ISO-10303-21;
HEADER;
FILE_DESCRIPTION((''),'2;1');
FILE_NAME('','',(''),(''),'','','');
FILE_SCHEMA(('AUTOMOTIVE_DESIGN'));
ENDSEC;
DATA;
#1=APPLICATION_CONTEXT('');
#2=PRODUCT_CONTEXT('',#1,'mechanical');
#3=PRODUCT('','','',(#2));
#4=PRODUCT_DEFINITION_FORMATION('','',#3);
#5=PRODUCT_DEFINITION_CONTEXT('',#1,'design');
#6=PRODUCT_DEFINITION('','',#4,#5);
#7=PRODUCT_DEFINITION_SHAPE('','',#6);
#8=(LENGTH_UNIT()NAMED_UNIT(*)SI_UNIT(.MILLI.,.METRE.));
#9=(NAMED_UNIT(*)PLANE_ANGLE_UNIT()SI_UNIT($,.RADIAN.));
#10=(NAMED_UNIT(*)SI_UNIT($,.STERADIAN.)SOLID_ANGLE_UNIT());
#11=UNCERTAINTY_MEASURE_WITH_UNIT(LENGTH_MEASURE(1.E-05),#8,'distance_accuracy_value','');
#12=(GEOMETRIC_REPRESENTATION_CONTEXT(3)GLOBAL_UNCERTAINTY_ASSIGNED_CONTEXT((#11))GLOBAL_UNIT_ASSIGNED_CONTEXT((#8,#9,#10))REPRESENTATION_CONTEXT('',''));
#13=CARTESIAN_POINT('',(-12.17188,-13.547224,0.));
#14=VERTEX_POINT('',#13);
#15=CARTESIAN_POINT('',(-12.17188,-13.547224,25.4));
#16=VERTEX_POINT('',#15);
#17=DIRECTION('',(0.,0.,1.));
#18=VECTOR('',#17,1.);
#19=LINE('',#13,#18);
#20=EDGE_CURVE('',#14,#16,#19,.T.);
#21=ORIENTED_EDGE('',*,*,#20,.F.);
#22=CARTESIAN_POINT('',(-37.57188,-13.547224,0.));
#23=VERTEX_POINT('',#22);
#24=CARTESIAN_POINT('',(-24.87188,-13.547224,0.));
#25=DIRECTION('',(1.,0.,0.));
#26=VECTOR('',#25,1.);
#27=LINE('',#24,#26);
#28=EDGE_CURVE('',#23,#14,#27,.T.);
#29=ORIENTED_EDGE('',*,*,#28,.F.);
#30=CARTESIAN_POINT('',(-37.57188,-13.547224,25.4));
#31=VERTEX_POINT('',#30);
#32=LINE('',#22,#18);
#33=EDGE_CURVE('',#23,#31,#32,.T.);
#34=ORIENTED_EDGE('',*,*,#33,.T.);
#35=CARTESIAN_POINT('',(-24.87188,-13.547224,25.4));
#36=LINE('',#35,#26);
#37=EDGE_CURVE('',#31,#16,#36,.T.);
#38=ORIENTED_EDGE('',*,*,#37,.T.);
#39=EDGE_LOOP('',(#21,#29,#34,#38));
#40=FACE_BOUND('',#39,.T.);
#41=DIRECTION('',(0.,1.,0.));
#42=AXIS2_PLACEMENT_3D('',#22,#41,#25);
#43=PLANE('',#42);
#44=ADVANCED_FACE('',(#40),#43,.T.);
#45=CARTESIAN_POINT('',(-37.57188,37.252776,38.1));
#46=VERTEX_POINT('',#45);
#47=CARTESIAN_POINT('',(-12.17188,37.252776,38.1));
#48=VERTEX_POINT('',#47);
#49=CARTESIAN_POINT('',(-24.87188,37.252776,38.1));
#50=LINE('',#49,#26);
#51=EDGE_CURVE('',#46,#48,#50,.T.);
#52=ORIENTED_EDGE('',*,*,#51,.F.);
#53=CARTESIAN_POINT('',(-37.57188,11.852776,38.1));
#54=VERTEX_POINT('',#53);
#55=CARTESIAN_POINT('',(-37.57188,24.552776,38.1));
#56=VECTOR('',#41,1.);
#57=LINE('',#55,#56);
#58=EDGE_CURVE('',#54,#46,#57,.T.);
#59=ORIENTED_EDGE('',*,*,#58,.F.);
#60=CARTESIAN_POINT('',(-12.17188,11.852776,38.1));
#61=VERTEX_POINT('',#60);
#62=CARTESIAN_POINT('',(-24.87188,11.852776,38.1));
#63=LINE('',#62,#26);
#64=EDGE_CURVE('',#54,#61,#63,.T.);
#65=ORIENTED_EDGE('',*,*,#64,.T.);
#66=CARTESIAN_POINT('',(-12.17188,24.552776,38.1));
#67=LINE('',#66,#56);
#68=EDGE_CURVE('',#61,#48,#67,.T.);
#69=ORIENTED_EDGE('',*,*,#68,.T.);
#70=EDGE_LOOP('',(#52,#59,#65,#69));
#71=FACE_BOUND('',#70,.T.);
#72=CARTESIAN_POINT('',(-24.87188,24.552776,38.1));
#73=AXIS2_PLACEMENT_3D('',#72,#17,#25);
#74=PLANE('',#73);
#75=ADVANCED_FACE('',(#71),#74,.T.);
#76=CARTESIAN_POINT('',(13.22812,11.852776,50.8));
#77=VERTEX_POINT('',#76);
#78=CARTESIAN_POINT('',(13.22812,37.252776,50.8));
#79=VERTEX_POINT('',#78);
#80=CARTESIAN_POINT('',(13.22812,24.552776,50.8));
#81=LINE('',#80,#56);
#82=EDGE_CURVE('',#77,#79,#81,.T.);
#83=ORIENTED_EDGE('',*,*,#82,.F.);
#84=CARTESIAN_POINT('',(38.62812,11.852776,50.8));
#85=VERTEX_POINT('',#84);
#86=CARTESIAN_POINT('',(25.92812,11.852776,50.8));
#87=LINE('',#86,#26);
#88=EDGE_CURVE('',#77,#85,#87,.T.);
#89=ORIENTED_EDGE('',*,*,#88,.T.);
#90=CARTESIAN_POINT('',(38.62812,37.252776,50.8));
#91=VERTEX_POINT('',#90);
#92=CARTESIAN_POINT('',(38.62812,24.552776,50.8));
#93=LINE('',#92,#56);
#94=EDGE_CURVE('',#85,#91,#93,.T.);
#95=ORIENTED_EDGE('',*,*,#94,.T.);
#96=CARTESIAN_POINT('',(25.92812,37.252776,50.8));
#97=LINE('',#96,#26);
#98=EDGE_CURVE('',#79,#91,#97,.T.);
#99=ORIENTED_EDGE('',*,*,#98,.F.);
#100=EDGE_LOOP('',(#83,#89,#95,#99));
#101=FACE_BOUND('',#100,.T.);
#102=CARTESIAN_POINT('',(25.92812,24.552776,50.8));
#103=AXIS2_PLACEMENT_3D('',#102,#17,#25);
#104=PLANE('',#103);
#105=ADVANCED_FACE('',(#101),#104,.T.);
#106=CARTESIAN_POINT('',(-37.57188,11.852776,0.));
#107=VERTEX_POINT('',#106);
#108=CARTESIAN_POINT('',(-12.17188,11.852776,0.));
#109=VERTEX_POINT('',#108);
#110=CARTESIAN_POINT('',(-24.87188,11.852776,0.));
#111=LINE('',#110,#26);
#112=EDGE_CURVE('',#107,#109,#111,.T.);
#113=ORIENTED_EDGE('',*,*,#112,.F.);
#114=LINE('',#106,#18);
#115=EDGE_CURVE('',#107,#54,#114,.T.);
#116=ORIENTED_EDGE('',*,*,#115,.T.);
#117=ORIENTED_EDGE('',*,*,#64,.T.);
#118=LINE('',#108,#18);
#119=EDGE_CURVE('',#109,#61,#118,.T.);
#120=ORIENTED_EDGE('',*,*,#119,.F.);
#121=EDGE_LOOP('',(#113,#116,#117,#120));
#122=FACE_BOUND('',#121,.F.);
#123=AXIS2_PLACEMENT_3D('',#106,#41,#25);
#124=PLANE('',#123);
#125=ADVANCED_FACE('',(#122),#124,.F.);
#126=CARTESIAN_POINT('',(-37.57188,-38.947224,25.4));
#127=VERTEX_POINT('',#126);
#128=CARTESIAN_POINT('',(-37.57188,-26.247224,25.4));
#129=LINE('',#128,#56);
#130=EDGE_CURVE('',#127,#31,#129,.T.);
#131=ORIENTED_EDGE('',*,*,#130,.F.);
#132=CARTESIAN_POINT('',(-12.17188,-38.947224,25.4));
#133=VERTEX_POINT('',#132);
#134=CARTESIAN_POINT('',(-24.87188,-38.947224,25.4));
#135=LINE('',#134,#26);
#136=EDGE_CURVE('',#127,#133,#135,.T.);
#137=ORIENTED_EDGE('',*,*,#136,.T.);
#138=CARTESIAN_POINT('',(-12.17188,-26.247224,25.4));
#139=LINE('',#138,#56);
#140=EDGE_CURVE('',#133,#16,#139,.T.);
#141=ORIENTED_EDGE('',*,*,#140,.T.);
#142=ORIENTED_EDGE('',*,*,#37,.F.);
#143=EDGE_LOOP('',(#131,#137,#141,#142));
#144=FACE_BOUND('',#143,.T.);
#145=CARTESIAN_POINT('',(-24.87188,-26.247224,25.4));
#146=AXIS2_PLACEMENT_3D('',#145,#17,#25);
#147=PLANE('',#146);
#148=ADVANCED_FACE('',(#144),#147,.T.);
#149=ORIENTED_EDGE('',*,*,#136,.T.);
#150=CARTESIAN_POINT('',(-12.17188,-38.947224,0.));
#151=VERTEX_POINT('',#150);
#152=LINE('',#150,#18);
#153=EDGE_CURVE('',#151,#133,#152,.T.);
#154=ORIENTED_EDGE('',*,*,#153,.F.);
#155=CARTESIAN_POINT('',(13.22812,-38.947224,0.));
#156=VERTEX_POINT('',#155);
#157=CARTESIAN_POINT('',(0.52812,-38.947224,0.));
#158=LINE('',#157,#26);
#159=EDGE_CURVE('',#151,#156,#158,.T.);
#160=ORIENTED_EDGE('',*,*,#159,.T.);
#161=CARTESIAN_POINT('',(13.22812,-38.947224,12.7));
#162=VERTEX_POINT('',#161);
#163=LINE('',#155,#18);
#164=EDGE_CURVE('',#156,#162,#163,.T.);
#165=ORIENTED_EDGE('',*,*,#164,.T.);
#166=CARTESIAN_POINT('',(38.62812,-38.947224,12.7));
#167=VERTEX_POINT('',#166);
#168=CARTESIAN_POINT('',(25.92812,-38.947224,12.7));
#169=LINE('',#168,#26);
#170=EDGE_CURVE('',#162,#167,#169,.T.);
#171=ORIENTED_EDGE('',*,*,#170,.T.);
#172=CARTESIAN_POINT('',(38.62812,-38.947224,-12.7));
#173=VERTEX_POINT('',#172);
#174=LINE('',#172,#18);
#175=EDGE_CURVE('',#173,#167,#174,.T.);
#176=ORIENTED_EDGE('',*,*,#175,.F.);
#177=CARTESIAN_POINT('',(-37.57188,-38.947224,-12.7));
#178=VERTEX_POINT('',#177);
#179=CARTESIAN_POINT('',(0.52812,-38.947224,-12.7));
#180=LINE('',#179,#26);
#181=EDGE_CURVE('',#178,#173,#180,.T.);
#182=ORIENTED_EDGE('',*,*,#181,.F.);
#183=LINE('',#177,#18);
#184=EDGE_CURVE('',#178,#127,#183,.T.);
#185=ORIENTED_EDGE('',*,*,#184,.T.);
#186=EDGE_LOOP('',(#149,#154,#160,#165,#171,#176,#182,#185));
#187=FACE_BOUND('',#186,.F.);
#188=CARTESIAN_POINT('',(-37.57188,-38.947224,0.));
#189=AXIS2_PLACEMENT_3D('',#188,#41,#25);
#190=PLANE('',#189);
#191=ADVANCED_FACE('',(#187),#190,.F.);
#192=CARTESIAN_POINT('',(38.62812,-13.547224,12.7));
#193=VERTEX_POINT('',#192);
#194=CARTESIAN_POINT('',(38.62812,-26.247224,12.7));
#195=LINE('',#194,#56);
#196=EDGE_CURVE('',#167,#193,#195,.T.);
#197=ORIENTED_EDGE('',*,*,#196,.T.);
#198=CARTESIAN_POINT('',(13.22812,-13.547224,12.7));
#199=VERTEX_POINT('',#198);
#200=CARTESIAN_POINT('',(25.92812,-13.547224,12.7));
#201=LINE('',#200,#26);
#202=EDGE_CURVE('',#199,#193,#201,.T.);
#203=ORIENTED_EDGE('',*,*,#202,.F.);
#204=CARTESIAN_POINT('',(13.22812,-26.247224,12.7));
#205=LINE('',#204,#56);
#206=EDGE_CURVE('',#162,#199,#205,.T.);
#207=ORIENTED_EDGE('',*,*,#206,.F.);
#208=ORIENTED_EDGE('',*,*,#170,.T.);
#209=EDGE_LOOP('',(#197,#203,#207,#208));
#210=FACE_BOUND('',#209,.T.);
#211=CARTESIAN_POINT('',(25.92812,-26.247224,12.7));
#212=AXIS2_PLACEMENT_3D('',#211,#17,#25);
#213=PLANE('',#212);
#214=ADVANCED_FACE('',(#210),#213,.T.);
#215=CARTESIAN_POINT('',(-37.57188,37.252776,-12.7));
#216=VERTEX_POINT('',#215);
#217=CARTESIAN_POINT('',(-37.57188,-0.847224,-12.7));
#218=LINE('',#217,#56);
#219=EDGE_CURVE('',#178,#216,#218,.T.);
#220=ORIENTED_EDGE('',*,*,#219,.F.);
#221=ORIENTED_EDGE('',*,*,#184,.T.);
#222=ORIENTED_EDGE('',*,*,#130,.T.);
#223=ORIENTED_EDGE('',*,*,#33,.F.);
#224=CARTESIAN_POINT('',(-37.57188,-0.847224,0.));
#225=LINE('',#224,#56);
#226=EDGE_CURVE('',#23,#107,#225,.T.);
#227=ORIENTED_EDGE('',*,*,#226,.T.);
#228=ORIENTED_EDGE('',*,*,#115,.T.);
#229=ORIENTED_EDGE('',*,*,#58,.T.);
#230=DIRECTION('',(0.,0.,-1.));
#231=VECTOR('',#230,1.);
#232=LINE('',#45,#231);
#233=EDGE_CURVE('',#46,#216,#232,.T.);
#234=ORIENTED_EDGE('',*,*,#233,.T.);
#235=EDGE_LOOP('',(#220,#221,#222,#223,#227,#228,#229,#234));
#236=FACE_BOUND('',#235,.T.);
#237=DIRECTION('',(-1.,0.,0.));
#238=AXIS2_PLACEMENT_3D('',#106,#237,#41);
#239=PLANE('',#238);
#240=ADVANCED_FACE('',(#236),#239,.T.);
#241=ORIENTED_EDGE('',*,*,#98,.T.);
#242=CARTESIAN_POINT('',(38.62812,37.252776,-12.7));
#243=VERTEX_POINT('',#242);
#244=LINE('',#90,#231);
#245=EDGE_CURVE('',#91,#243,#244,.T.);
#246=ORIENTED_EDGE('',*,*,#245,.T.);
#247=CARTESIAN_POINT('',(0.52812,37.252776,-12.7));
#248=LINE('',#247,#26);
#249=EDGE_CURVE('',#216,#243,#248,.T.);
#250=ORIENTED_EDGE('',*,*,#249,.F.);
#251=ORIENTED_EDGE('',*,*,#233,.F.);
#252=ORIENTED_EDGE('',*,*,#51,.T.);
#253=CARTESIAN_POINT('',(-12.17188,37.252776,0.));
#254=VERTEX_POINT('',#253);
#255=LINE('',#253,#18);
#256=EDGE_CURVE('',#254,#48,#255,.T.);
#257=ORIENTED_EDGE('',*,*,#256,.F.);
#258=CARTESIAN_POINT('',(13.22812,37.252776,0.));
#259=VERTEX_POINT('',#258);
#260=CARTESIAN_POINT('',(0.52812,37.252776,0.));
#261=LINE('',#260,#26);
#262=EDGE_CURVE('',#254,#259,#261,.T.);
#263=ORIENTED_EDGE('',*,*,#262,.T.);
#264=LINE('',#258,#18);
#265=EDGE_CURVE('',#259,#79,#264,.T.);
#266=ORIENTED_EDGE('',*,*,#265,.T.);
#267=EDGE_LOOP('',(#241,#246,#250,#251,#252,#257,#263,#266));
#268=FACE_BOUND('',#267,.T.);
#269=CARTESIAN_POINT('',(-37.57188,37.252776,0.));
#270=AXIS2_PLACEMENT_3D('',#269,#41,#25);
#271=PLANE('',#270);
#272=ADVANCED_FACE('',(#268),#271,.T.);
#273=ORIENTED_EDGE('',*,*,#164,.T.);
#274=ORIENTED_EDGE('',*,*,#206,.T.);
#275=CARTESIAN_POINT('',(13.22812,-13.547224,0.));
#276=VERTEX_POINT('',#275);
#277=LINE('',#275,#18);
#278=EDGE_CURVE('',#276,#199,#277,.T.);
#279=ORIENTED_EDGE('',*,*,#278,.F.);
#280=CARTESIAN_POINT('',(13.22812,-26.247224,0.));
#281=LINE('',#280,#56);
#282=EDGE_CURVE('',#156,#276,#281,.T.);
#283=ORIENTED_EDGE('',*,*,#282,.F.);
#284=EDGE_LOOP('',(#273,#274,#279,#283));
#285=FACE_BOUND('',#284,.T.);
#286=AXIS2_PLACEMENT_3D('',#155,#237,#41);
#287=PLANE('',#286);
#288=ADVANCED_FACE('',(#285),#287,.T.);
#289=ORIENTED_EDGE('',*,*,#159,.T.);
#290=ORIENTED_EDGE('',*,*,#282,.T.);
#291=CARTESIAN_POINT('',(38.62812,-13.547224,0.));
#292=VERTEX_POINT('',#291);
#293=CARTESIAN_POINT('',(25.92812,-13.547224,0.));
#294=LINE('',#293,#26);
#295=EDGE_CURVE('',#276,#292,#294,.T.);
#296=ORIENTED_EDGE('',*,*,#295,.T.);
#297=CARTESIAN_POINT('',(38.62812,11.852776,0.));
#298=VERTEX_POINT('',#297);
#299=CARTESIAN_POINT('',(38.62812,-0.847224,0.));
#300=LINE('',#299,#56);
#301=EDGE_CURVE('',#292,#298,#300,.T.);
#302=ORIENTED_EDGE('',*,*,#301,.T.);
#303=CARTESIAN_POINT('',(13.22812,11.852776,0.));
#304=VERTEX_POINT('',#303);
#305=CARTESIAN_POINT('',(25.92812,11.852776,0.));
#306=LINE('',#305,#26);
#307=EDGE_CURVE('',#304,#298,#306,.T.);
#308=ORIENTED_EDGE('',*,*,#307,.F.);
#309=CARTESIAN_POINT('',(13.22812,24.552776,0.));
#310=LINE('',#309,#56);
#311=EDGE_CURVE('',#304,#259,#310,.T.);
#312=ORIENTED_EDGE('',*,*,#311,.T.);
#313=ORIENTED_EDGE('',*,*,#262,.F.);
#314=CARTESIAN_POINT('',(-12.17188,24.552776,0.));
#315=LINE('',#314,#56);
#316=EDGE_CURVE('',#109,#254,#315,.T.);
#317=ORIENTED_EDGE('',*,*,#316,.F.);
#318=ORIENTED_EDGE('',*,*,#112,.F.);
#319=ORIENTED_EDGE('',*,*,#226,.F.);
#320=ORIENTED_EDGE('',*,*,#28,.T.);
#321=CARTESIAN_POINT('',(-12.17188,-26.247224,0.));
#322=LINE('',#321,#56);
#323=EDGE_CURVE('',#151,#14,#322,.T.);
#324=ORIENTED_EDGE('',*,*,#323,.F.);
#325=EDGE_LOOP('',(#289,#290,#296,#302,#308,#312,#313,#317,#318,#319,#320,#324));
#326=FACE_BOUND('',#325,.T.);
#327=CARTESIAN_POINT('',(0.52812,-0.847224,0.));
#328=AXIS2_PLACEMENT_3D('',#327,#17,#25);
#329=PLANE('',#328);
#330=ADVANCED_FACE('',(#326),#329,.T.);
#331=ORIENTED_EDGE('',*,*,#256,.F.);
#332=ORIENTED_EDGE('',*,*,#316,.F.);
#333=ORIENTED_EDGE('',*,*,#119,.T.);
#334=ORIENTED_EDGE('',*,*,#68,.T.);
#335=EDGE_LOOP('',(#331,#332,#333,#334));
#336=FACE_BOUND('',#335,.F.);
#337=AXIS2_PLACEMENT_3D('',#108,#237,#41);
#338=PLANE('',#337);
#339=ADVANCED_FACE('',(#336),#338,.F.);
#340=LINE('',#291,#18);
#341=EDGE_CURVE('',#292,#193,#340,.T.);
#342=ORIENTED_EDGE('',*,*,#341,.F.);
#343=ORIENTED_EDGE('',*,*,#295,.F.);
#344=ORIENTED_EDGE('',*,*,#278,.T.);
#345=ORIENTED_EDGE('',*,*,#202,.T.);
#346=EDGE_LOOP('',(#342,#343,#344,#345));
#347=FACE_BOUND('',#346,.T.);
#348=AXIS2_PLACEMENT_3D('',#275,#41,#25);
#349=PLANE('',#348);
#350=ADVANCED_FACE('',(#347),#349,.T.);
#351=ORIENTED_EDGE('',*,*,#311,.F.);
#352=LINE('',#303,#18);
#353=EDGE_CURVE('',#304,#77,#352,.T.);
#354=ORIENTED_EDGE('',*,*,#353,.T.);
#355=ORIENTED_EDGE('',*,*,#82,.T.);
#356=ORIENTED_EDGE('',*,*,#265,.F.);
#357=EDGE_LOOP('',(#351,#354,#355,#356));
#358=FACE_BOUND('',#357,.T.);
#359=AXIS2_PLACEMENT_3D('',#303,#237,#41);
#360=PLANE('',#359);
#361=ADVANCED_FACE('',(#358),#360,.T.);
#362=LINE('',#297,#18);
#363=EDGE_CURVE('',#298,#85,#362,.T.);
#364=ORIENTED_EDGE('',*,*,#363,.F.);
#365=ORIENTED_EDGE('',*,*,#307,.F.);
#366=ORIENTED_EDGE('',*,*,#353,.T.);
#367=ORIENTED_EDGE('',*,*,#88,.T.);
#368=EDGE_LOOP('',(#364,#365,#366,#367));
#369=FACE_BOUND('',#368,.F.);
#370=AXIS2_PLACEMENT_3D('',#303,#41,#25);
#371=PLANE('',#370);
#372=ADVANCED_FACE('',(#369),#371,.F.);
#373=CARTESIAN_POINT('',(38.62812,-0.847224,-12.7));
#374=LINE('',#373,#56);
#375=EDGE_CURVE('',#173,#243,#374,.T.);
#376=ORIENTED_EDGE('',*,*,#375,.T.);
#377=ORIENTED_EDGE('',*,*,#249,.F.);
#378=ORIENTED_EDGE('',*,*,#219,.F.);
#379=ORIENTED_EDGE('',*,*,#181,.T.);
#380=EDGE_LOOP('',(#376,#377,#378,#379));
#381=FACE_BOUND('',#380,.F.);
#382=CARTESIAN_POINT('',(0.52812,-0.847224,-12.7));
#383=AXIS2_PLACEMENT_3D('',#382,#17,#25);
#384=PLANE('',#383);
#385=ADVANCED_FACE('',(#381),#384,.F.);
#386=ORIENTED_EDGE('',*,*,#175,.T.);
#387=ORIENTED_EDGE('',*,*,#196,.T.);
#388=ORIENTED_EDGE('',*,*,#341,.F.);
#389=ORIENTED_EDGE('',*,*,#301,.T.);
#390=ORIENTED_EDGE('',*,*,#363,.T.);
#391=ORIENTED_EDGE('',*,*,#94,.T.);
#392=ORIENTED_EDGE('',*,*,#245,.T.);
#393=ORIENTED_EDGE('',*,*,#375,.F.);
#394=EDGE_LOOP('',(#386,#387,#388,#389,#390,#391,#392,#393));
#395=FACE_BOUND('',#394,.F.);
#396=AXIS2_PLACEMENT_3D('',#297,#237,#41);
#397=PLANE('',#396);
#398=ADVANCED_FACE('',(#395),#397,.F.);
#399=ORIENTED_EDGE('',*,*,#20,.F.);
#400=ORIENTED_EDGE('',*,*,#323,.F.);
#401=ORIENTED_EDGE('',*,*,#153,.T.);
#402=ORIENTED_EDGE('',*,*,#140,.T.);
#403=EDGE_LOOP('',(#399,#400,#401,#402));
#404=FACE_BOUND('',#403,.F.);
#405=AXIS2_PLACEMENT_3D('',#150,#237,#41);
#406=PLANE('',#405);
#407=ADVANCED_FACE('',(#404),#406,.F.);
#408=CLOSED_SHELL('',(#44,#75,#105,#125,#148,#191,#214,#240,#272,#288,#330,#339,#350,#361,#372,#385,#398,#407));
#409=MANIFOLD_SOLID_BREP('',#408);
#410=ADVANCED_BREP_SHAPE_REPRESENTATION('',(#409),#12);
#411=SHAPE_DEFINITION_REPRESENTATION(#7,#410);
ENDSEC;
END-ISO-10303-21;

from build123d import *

# Parameters (mm, degrees)
F0_W     = 76.2
F0_H     = 76.2
F1_DEPTH = 12.7
F2_W     = 25.4
F2_H     = 25.4
F3_DEPTH = 12.7
F4_W     = 25.4
F4_H     = 25.4
F5_DEPTH = 25.4
F6_W     = 25.4
F6_H     = 25.4
F7_DEPTH = 50.8
F8_W     = 25.4
F8_H     = 25.4
F9_DEPTH = 38.1


with BuildPart() as f1:
    # F0 (on Top) → F1 (new body)
    with BuildSketch(Plane.XY):
        with Locations((0.52812, -0.847224)):
            Rectangle(F0_W, F0_H)
    extrude(amount=-F1_DEPTH)

    # F2 (on face) → F3 (join)
    with BuildSketch(Plane.XY):
        with Locations((25.92812, -26.247224)):
            Rectangle(F2_W, F2_H)
    extrude(amount=F3_DEPTH)

    # F4 (on face) → F5 (join)
    with BuildSketch(Plane.XY):
        with Locations((-24.87188, -26.247224)):
            Rectangle(F4_W, F4_H)
    extrude(amount=F5_DEPTH)

    # F6 (on face) → F7 (join)
    with BuildSketch(Plane.XY):
        with Locations((25.92812, 24.552776)):
            Rectangle(F6_W, F6_H)
    extrude(amount=F7_DEPTH)

    # F8 (on face) → F9 (join)
    with BuildSketch(Plane.XY):
        with Locations((-24.87188, 24.552776)):
            Rectangle(F8_W, F8_H)
    extrude(amount=F9_DEPTH)


solid = f1.part
